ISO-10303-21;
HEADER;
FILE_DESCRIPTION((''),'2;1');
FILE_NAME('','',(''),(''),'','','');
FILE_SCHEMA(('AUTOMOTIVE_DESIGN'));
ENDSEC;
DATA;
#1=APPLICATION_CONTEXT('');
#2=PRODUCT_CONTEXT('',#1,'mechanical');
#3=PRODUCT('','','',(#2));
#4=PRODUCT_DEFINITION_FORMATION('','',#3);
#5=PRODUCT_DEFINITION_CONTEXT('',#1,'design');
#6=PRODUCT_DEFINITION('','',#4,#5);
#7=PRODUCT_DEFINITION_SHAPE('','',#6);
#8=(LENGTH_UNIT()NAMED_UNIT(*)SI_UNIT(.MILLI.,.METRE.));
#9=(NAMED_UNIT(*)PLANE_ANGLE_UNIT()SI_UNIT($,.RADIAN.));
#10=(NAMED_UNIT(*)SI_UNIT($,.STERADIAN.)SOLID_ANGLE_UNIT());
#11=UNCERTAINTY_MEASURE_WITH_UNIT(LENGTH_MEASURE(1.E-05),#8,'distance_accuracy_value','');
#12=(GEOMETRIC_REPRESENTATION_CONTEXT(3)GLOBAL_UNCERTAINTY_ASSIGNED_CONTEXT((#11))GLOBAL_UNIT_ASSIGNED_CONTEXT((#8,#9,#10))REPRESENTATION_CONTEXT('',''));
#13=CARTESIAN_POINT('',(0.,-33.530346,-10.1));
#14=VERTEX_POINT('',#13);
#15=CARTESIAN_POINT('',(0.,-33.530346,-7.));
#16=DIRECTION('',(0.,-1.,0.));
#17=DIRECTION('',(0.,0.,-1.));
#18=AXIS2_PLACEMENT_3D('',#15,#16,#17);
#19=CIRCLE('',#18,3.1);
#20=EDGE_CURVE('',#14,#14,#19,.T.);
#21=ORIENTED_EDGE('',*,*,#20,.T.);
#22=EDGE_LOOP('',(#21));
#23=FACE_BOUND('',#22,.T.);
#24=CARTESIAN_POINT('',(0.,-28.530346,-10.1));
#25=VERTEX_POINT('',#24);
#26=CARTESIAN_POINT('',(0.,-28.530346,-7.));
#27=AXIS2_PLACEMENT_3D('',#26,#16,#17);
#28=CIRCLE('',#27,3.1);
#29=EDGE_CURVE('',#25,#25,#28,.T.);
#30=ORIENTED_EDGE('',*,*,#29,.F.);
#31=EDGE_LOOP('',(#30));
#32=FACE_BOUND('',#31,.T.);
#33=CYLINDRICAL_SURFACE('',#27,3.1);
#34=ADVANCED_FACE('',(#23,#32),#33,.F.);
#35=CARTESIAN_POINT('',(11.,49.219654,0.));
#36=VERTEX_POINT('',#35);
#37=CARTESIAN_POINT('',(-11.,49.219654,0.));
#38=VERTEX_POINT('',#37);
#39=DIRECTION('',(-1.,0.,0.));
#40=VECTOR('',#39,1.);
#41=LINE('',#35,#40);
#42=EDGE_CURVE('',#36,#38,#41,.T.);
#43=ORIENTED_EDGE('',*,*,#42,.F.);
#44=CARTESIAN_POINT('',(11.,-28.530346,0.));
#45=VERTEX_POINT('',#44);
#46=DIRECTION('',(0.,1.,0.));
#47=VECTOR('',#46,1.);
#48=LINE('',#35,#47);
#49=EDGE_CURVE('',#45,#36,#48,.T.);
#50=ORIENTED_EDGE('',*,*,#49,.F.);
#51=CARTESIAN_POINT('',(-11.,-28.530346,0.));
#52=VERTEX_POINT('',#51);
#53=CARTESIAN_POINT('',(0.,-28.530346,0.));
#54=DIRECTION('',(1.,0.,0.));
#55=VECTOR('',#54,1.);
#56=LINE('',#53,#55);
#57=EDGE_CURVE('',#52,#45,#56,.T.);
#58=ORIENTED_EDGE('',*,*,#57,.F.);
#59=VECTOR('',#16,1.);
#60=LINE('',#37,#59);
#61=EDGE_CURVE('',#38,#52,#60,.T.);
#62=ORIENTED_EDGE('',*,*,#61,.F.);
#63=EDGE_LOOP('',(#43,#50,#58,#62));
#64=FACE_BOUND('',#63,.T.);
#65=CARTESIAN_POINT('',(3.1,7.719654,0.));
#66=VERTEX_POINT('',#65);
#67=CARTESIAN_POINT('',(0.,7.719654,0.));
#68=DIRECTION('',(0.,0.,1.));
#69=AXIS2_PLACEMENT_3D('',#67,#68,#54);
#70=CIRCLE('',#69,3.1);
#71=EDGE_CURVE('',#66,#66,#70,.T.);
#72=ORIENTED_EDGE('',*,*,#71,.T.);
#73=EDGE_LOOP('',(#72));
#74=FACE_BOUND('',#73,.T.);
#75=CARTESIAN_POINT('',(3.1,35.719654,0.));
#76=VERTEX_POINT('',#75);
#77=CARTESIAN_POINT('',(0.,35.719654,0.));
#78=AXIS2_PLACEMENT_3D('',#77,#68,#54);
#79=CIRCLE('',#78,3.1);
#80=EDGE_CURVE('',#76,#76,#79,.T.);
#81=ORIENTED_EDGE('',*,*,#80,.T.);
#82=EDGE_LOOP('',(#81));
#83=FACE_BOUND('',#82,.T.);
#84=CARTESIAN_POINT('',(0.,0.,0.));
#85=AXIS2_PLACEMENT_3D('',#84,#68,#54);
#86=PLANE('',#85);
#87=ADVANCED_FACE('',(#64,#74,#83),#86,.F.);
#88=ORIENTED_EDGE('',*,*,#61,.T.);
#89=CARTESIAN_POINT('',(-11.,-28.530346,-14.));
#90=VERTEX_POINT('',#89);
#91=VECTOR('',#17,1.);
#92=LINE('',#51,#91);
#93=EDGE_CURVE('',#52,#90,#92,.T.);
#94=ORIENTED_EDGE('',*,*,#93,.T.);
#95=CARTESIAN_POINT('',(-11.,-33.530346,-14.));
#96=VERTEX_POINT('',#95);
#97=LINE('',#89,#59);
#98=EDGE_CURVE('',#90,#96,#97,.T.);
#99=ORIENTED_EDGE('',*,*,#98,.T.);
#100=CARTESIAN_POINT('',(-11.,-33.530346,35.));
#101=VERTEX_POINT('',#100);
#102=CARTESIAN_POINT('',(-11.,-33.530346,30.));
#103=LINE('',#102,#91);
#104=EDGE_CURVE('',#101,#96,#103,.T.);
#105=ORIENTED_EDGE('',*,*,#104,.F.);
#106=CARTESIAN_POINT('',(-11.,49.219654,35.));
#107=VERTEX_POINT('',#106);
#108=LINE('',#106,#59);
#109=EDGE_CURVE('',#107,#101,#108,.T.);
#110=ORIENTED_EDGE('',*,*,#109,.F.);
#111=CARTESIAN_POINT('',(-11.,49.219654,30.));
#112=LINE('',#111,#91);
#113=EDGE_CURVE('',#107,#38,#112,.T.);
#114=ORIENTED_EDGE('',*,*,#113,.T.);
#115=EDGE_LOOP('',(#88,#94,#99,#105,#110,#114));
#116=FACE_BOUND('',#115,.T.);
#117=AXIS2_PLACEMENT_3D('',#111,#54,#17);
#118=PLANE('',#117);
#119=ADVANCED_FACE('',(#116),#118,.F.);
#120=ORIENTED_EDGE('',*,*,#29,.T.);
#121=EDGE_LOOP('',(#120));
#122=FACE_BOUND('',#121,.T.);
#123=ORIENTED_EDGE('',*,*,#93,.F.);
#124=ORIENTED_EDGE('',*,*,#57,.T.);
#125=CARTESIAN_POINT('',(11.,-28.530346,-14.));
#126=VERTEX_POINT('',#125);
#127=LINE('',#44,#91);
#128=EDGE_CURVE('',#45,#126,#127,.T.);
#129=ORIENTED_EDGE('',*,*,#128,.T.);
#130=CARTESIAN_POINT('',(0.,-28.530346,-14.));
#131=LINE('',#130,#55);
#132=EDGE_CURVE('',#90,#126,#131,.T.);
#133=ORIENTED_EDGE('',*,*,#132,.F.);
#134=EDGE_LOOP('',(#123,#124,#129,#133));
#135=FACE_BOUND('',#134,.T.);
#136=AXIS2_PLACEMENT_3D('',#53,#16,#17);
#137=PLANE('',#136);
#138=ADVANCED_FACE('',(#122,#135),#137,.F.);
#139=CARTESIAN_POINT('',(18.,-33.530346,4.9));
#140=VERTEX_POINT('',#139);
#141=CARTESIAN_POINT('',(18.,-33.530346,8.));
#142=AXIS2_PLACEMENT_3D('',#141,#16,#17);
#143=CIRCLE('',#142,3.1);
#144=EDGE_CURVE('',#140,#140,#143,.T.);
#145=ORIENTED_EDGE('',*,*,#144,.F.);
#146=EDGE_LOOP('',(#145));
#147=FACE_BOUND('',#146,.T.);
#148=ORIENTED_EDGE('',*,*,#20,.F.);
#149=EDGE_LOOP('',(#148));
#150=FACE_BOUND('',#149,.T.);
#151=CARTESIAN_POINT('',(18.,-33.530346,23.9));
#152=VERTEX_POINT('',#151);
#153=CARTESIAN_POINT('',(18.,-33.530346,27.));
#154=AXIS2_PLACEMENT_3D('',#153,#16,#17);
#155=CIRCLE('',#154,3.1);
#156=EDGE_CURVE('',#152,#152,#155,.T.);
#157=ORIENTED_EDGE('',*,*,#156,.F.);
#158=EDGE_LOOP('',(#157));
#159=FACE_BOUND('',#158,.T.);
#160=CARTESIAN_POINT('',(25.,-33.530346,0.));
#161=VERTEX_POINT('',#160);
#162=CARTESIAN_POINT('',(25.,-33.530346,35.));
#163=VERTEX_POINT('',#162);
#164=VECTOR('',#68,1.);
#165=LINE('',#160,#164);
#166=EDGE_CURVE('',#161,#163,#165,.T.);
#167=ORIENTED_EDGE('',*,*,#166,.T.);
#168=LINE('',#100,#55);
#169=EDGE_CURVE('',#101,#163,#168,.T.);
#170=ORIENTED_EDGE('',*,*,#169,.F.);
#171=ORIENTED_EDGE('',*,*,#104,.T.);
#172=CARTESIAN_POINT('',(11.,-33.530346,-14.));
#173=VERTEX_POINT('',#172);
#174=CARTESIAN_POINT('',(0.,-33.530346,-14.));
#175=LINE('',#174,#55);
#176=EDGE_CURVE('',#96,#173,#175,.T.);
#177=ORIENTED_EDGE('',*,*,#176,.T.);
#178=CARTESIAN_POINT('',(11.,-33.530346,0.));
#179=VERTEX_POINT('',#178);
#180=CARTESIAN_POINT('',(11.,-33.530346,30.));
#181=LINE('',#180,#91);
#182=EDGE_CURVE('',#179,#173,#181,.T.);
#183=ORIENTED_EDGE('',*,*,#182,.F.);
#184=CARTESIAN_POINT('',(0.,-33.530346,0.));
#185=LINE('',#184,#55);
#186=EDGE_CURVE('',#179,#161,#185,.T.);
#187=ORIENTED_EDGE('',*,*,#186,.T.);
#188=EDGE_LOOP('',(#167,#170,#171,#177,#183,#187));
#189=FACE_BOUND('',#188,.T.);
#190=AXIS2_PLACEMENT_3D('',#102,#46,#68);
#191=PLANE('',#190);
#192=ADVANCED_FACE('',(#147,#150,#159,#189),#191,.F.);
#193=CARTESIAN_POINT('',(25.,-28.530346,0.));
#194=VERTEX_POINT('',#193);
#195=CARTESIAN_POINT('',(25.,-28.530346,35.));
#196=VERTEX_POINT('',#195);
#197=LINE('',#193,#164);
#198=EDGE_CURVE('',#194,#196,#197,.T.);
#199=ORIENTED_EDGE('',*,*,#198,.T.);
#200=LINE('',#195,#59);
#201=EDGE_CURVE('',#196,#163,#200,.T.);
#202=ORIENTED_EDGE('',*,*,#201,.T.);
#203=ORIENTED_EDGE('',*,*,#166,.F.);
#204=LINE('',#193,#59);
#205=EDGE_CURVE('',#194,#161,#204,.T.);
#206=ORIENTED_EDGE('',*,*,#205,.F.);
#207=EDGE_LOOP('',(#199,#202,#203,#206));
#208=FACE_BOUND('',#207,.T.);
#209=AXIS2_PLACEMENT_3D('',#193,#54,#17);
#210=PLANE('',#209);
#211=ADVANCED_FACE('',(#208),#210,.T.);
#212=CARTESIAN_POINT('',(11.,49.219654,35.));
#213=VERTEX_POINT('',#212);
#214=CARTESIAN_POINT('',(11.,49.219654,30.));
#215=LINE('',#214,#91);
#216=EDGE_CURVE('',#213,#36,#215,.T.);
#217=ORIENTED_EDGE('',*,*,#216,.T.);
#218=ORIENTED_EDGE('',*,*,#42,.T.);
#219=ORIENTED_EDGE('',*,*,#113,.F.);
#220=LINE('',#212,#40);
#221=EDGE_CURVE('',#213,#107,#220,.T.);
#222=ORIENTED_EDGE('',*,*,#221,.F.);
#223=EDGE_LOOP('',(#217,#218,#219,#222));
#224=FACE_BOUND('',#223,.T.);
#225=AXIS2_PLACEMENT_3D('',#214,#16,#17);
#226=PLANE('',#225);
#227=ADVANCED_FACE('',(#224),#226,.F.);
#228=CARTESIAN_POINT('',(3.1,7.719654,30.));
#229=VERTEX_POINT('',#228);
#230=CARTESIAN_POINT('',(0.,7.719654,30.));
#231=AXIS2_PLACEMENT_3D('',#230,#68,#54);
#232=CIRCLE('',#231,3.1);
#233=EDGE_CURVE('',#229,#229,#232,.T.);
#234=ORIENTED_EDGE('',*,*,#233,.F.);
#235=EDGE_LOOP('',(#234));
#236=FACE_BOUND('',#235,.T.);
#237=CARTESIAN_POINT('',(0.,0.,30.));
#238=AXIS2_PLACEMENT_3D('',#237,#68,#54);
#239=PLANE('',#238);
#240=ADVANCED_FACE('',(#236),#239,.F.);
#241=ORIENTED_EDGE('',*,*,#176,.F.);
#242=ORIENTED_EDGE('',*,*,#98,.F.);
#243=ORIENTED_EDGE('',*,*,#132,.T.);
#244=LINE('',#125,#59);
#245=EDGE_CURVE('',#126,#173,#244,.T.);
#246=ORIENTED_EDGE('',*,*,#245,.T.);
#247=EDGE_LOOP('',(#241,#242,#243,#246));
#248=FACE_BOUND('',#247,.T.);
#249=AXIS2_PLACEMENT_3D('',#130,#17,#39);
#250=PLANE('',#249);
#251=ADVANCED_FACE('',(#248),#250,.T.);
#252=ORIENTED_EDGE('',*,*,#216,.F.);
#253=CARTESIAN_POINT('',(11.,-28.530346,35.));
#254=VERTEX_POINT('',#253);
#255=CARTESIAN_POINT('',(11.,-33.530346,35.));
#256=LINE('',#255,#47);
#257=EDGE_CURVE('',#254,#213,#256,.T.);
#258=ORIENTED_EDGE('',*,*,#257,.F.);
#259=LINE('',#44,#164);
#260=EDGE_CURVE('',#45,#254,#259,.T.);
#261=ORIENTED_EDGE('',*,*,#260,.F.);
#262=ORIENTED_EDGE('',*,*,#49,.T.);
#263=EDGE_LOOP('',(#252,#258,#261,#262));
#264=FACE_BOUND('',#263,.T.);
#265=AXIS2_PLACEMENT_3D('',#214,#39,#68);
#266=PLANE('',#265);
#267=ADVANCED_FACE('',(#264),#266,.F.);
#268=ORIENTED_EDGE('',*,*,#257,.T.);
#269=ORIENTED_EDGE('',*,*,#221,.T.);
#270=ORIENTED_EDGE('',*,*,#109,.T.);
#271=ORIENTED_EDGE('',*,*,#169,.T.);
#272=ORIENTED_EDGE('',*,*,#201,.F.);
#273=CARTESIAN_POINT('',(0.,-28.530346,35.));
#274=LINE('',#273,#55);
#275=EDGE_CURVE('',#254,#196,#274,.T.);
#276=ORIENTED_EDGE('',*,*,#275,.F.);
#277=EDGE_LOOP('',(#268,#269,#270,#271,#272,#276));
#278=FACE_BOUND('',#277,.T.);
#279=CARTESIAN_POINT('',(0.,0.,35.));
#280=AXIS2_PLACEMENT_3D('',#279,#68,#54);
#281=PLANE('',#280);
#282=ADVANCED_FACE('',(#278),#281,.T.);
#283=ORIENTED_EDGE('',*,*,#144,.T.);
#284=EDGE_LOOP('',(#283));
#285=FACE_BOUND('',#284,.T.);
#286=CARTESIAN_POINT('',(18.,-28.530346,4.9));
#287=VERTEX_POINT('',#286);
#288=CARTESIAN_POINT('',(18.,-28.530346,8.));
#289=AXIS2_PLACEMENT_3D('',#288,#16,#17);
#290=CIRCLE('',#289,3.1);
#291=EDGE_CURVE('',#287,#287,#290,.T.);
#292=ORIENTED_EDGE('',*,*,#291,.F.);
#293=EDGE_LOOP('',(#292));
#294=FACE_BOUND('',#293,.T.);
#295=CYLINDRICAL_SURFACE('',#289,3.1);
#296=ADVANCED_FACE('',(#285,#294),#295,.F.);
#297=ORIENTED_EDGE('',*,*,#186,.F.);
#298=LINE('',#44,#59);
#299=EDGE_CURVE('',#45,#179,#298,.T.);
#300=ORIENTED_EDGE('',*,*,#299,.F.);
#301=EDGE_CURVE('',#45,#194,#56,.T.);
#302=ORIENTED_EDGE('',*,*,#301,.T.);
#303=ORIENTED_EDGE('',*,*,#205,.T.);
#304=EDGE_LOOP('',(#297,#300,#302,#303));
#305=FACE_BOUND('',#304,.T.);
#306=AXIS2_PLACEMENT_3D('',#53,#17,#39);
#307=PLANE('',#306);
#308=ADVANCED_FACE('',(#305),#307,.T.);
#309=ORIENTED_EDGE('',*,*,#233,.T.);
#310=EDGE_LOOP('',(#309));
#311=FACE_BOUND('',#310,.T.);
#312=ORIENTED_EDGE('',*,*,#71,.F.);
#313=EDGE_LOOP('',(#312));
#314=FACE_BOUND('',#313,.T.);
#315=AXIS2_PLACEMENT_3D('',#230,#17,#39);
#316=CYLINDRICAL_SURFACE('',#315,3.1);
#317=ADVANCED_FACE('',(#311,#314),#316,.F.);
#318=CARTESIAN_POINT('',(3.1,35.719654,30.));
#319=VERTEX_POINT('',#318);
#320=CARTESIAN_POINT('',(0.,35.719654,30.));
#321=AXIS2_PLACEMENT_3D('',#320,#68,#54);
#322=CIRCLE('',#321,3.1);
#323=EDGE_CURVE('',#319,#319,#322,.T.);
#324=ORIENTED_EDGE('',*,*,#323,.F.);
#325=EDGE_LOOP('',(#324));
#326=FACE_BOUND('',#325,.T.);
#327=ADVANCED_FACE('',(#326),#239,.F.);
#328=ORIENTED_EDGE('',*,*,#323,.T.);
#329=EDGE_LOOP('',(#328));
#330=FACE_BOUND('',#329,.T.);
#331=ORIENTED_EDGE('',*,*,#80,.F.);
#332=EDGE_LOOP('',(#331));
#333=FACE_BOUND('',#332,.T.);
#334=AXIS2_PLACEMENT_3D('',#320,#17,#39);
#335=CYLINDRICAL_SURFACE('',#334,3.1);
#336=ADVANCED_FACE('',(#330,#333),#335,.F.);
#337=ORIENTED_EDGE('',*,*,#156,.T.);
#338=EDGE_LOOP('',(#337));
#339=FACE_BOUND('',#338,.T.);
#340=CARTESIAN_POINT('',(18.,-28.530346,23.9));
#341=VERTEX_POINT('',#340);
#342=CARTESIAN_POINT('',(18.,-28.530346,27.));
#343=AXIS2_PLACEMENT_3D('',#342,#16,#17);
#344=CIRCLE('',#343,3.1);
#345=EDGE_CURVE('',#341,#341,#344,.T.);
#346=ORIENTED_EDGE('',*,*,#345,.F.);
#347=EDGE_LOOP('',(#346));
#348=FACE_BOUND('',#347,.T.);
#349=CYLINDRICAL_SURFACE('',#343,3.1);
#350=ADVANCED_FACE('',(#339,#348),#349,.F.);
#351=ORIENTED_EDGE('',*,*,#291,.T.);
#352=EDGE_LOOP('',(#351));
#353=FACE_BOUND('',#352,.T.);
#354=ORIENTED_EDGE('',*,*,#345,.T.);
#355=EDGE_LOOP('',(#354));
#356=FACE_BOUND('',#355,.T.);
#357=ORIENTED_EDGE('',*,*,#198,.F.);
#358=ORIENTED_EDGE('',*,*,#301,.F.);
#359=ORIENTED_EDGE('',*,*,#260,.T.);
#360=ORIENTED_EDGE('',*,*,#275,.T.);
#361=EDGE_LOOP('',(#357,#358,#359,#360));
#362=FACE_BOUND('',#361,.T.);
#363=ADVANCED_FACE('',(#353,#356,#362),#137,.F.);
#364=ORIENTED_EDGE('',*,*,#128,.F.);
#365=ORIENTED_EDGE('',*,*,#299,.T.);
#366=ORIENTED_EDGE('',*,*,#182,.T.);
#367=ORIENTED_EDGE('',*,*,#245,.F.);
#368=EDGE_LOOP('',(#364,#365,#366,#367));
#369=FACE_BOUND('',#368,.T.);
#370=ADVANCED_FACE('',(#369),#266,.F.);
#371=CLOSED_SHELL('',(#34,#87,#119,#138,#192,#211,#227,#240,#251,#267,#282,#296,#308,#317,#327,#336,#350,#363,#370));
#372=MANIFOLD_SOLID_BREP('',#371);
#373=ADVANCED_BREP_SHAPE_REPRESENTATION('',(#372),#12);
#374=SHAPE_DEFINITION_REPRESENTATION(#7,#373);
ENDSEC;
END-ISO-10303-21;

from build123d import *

# Parameters (mm, degrees)
SKETCH1_W           = 22
SKETCH1_H           = 82.75
SKETCH1_R           = 3.1
BOSS_EXTRUDE1_DEPTH = 30
SKETCH2_W           = 22
SKETCH2_H           = 82.75
BOSS_EXTRUDE2_DEPTH = 5
SKETCH3_W           = 22
SKETCH3_H           = 14
SKETCH3_R           = 3.1
SKETCH3_W_2         = 14
SKETCH3_H_2         = 35
BOSS_EXTRUDE3_DEPTH = 5


with BuildPart() as part:
    # Sketch1 → Boss-Extrude1 (new body)
    with BuildSketch(Plane.XY):
        with Locations((0, 7.844654309)):
            Rectangle(SKETCH1_W, SKETCH1_H)
        with Locations((0, 35.719654309)):
            Circle(SKETCH1_R, mode=Mode.SUBTRACT)
        with Locations((0, 7.719654309)):
            Circle(SKETCH1_R, mode=Mode.SUBTRACT)
    extrude(amount=BOSS_EXTRUDE1_DEPTH)

    # Sketch2 → Boss-Extrude2 (add)
    with BuildSketch(Plane.XY.offset(30)):
        with Locations((0, 7.844654309)):
            Rectangle(SKETCH2_W, SKETCH2_H)
    extrude(amount=BOSS_EXTRUDE2_DEPTH)

    # Sketch3 → Boss-Extrude3 (add)
    with BuildSketch(Plane.XZ.offset(33.530345691)):
        with Locations((0, -7)):
            Rectangle(SKETCH3_W, SKETCH3_H)
        with Locations((0, -7)):
            Circle(SKETCH3_R, mode=Mode.SUBTRACT)
        with Locations((18, 17.5)):
            Rectangle(SKETCH3_W_2, SKETCH3_H_2)
        with Locations((18, 27)):
            Circle(SKETCH3_R, mode=Mode.SUBTRACT)
        with Locations((18, 8)):
            Circle(SKETCH3_R, mode=Mode.SUBTRACT)
    extrude(amount=-BOSS_EXTRUDE3_DEPTH)


solid = part.part
